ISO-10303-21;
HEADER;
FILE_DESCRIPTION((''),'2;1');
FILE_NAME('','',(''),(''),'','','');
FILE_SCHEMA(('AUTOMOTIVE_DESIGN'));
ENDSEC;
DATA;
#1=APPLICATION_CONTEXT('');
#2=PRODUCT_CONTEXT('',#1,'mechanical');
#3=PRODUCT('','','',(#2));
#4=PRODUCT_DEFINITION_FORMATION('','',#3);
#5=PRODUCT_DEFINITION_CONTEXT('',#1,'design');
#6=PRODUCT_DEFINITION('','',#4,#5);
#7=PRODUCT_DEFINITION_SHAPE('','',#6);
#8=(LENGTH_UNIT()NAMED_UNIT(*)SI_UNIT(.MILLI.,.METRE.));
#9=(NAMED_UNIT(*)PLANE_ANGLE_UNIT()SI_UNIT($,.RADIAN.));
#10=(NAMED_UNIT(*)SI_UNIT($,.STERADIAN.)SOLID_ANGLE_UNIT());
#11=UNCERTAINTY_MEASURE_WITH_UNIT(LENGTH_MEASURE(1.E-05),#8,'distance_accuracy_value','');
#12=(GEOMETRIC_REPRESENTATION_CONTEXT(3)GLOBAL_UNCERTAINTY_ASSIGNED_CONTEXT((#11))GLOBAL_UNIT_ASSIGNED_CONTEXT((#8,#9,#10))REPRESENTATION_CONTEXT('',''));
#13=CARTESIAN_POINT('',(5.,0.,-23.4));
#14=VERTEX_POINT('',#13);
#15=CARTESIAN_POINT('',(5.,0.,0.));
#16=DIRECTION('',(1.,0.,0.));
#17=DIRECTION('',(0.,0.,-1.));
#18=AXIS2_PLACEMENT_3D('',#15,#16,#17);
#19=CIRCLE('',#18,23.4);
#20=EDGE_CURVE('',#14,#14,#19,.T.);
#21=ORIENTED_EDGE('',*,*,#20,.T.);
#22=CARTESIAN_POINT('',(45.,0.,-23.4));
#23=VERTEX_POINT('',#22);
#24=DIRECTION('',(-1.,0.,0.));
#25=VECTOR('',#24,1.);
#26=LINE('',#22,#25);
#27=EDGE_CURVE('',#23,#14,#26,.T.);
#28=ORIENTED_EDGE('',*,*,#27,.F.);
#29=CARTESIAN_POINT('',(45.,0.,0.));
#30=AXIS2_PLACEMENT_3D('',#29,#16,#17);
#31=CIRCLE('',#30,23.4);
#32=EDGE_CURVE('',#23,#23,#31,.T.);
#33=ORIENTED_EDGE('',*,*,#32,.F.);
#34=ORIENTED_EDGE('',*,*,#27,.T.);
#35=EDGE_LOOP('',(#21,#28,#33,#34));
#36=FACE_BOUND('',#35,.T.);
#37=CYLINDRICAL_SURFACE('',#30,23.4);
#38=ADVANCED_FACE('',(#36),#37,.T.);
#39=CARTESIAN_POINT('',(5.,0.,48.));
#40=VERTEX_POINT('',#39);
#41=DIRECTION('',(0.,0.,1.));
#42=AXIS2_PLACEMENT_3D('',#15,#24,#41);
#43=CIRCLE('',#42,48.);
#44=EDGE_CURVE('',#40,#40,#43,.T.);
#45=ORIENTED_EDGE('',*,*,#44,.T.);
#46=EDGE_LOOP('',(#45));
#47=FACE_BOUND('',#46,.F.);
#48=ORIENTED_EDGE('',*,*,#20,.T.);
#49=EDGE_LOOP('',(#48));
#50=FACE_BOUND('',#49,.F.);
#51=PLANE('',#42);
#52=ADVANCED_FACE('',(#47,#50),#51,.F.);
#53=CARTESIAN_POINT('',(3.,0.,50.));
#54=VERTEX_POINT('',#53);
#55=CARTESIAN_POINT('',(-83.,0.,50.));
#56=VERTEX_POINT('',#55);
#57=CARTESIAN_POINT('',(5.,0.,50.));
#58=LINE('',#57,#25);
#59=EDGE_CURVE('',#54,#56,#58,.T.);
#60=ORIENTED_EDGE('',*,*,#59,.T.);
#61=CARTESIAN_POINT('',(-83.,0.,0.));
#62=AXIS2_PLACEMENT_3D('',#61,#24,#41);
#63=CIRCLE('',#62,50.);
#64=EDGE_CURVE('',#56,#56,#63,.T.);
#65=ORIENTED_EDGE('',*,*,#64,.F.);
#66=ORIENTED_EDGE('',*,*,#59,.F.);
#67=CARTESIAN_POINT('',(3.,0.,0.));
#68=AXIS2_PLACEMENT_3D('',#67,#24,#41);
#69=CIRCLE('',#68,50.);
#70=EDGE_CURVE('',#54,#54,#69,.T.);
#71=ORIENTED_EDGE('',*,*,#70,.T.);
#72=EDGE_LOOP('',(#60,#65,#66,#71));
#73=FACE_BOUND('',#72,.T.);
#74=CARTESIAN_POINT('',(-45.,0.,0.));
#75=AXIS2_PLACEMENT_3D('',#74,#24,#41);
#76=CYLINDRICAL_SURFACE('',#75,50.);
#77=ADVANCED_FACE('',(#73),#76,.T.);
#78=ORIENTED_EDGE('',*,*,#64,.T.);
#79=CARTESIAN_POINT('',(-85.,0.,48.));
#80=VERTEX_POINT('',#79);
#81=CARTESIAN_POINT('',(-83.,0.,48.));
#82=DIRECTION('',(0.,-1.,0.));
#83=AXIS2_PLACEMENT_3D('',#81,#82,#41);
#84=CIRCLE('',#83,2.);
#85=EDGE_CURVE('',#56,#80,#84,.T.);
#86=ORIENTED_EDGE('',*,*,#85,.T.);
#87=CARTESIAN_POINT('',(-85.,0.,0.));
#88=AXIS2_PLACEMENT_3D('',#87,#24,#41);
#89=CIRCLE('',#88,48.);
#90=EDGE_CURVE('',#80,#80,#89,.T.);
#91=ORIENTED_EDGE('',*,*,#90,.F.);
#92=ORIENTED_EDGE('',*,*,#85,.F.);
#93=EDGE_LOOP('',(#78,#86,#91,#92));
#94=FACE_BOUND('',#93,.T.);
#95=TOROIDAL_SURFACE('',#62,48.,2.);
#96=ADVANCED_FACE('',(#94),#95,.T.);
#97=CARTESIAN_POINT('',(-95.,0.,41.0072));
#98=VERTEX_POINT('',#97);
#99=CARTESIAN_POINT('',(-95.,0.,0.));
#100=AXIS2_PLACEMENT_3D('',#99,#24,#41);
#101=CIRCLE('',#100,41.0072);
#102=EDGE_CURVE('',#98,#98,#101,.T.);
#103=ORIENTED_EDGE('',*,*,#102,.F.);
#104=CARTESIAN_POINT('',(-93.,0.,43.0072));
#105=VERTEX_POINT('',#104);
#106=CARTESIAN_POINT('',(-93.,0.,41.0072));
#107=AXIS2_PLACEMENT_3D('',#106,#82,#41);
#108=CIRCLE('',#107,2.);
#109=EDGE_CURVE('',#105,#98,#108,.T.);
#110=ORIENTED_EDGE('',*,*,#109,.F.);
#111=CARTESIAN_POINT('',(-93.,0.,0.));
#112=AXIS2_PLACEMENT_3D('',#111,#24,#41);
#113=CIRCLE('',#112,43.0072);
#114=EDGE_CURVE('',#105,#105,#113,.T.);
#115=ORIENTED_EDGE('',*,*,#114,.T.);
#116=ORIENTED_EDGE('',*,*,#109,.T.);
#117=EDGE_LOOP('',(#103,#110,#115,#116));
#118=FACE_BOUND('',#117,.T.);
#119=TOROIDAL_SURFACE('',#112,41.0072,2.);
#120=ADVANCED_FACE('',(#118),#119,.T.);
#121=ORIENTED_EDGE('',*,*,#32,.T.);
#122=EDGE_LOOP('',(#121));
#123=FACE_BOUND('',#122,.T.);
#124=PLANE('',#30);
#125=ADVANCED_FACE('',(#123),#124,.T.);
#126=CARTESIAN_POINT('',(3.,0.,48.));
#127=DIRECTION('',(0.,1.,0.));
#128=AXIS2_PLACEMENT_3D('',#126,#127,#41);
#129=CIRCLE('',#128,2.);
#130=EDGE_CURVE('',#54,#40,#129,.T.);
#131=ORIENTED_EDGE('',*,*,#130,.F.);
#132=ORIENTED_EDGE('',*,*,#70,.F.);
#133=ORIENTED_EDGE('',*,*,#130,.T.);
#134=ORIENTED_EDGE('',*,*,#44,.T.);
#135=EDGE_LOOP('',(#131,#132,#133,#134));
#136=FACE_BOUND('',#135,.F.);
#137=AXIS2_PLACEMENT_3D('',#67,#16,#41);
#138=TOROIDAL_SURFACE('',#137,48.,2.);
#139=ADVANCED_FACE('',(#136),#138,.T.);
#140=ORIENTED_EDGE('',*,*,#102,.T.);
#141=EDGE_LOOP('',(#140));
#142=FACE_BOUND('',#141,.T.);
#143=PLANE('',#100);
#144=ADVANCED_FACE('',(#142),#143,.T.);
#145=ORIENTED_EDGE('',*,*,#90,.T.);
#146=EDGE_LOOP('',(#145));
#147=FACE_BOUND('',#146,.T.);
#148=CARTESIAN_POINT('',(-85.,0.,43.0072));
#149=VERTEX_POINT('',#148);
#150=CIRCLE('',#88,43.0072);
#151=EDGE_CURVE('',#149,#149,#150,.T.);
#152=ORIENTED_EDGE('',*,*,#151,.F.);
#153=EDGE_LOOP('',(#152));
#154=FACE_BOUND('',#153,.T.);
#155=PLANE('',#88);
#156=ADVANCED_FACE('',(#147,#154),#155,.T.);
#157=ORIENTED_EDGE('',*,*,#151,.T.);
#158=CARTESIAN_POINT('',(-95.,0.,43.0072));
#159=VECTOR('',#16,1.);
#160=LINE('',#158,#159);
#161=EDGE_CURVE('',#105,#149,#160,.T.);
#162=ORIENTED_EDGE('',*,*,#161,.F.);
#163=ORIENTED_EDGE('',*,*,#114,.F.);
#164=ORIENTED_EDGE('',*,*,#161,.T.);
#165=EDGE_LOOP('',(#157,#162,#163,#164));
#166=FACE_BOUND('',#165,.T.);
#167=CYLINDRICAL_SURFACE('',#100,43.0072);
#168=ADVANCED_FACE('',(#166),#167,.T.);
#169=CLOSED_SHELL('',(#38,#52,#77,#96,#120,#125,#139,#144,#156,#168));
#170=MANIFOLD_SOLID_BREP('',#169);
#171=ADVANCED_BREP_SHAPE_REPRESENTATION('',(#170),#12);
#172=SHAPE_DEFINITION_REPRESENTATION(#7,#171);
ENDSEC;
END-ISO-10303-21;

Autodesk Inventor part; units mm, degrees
ref_plane "YZ Plane" through (0, 0, 0) normal (1, 0, 0) x (0, 1, 0)
ref_plane "XZ Plane" through (0, 0, 0) normal (0, 1, 0) x (-1, 0, 0)
ref_plane "XY Plane" through (0, 0, 0) normal (0, 0, 1) x (1, 0, 0)
sketch "Sketch3" plane through (0, 0, 0) normal (1, 0, 0) x (0, 1, 0)
  circle A0 centre (0, 0) radius 11.7
  dimension "d1" = 23.4
extrude "Extrusion1" add sketch "Sketch3" along normal mid plane 90
sketch "Sketch4" plane through (45, 0, 0) normal (1, 0, 0) x (0, 0, -1)
  point P0 (0, 0)
sketch "Sketch5" plane through (-45, 0, 0) normal (-1, 0, 0) x (0, 0, 1)
  circle A0 centre (0, 0) radius 11.7 projected
  circle A1 centre (0, 0) radius 50
  dimension "d4" = 100
extrude "Extrusion2" add sketch "Sketch5" along normal mid plane 100 contours A0 | A1
sketch "Sketch6" plane through (-95, 0, 0) normal (-1, 0, 0) x (0, 0, 1)
  circle A0 centre (0, 0) radius 11.7 projected
  circle A1 centre (0, 0) radius 43.0072
  circle A2 centre (0, 0) radius 50
extrude "Extrusion3" cut sketch "Sketch6" against normal blind 10 contours A2
fillet "Fillet1" radius 2 1 edges at (-85, 0, -50)
fillet "Fillet2" radius 2 1 edges at (-95, 0, -43.0072)
thread "Thread1" size "M90x6" class "6g" standard "ANSI Metric M Profile" full length
fillet "Fillet3" radius 2 1 edges at (5, 0, -50)
sketch "Sketch7" plane through (45, 0, 0) normal (1, 0, 0) x (0, 0, -1)
  circle A0 centre (0, 0) radius 23.4
  dimension "d14" = 46.8
extrude "Extrusion4" add sketch "Sketch7" against normal blind 50
properties part number "Motor"
